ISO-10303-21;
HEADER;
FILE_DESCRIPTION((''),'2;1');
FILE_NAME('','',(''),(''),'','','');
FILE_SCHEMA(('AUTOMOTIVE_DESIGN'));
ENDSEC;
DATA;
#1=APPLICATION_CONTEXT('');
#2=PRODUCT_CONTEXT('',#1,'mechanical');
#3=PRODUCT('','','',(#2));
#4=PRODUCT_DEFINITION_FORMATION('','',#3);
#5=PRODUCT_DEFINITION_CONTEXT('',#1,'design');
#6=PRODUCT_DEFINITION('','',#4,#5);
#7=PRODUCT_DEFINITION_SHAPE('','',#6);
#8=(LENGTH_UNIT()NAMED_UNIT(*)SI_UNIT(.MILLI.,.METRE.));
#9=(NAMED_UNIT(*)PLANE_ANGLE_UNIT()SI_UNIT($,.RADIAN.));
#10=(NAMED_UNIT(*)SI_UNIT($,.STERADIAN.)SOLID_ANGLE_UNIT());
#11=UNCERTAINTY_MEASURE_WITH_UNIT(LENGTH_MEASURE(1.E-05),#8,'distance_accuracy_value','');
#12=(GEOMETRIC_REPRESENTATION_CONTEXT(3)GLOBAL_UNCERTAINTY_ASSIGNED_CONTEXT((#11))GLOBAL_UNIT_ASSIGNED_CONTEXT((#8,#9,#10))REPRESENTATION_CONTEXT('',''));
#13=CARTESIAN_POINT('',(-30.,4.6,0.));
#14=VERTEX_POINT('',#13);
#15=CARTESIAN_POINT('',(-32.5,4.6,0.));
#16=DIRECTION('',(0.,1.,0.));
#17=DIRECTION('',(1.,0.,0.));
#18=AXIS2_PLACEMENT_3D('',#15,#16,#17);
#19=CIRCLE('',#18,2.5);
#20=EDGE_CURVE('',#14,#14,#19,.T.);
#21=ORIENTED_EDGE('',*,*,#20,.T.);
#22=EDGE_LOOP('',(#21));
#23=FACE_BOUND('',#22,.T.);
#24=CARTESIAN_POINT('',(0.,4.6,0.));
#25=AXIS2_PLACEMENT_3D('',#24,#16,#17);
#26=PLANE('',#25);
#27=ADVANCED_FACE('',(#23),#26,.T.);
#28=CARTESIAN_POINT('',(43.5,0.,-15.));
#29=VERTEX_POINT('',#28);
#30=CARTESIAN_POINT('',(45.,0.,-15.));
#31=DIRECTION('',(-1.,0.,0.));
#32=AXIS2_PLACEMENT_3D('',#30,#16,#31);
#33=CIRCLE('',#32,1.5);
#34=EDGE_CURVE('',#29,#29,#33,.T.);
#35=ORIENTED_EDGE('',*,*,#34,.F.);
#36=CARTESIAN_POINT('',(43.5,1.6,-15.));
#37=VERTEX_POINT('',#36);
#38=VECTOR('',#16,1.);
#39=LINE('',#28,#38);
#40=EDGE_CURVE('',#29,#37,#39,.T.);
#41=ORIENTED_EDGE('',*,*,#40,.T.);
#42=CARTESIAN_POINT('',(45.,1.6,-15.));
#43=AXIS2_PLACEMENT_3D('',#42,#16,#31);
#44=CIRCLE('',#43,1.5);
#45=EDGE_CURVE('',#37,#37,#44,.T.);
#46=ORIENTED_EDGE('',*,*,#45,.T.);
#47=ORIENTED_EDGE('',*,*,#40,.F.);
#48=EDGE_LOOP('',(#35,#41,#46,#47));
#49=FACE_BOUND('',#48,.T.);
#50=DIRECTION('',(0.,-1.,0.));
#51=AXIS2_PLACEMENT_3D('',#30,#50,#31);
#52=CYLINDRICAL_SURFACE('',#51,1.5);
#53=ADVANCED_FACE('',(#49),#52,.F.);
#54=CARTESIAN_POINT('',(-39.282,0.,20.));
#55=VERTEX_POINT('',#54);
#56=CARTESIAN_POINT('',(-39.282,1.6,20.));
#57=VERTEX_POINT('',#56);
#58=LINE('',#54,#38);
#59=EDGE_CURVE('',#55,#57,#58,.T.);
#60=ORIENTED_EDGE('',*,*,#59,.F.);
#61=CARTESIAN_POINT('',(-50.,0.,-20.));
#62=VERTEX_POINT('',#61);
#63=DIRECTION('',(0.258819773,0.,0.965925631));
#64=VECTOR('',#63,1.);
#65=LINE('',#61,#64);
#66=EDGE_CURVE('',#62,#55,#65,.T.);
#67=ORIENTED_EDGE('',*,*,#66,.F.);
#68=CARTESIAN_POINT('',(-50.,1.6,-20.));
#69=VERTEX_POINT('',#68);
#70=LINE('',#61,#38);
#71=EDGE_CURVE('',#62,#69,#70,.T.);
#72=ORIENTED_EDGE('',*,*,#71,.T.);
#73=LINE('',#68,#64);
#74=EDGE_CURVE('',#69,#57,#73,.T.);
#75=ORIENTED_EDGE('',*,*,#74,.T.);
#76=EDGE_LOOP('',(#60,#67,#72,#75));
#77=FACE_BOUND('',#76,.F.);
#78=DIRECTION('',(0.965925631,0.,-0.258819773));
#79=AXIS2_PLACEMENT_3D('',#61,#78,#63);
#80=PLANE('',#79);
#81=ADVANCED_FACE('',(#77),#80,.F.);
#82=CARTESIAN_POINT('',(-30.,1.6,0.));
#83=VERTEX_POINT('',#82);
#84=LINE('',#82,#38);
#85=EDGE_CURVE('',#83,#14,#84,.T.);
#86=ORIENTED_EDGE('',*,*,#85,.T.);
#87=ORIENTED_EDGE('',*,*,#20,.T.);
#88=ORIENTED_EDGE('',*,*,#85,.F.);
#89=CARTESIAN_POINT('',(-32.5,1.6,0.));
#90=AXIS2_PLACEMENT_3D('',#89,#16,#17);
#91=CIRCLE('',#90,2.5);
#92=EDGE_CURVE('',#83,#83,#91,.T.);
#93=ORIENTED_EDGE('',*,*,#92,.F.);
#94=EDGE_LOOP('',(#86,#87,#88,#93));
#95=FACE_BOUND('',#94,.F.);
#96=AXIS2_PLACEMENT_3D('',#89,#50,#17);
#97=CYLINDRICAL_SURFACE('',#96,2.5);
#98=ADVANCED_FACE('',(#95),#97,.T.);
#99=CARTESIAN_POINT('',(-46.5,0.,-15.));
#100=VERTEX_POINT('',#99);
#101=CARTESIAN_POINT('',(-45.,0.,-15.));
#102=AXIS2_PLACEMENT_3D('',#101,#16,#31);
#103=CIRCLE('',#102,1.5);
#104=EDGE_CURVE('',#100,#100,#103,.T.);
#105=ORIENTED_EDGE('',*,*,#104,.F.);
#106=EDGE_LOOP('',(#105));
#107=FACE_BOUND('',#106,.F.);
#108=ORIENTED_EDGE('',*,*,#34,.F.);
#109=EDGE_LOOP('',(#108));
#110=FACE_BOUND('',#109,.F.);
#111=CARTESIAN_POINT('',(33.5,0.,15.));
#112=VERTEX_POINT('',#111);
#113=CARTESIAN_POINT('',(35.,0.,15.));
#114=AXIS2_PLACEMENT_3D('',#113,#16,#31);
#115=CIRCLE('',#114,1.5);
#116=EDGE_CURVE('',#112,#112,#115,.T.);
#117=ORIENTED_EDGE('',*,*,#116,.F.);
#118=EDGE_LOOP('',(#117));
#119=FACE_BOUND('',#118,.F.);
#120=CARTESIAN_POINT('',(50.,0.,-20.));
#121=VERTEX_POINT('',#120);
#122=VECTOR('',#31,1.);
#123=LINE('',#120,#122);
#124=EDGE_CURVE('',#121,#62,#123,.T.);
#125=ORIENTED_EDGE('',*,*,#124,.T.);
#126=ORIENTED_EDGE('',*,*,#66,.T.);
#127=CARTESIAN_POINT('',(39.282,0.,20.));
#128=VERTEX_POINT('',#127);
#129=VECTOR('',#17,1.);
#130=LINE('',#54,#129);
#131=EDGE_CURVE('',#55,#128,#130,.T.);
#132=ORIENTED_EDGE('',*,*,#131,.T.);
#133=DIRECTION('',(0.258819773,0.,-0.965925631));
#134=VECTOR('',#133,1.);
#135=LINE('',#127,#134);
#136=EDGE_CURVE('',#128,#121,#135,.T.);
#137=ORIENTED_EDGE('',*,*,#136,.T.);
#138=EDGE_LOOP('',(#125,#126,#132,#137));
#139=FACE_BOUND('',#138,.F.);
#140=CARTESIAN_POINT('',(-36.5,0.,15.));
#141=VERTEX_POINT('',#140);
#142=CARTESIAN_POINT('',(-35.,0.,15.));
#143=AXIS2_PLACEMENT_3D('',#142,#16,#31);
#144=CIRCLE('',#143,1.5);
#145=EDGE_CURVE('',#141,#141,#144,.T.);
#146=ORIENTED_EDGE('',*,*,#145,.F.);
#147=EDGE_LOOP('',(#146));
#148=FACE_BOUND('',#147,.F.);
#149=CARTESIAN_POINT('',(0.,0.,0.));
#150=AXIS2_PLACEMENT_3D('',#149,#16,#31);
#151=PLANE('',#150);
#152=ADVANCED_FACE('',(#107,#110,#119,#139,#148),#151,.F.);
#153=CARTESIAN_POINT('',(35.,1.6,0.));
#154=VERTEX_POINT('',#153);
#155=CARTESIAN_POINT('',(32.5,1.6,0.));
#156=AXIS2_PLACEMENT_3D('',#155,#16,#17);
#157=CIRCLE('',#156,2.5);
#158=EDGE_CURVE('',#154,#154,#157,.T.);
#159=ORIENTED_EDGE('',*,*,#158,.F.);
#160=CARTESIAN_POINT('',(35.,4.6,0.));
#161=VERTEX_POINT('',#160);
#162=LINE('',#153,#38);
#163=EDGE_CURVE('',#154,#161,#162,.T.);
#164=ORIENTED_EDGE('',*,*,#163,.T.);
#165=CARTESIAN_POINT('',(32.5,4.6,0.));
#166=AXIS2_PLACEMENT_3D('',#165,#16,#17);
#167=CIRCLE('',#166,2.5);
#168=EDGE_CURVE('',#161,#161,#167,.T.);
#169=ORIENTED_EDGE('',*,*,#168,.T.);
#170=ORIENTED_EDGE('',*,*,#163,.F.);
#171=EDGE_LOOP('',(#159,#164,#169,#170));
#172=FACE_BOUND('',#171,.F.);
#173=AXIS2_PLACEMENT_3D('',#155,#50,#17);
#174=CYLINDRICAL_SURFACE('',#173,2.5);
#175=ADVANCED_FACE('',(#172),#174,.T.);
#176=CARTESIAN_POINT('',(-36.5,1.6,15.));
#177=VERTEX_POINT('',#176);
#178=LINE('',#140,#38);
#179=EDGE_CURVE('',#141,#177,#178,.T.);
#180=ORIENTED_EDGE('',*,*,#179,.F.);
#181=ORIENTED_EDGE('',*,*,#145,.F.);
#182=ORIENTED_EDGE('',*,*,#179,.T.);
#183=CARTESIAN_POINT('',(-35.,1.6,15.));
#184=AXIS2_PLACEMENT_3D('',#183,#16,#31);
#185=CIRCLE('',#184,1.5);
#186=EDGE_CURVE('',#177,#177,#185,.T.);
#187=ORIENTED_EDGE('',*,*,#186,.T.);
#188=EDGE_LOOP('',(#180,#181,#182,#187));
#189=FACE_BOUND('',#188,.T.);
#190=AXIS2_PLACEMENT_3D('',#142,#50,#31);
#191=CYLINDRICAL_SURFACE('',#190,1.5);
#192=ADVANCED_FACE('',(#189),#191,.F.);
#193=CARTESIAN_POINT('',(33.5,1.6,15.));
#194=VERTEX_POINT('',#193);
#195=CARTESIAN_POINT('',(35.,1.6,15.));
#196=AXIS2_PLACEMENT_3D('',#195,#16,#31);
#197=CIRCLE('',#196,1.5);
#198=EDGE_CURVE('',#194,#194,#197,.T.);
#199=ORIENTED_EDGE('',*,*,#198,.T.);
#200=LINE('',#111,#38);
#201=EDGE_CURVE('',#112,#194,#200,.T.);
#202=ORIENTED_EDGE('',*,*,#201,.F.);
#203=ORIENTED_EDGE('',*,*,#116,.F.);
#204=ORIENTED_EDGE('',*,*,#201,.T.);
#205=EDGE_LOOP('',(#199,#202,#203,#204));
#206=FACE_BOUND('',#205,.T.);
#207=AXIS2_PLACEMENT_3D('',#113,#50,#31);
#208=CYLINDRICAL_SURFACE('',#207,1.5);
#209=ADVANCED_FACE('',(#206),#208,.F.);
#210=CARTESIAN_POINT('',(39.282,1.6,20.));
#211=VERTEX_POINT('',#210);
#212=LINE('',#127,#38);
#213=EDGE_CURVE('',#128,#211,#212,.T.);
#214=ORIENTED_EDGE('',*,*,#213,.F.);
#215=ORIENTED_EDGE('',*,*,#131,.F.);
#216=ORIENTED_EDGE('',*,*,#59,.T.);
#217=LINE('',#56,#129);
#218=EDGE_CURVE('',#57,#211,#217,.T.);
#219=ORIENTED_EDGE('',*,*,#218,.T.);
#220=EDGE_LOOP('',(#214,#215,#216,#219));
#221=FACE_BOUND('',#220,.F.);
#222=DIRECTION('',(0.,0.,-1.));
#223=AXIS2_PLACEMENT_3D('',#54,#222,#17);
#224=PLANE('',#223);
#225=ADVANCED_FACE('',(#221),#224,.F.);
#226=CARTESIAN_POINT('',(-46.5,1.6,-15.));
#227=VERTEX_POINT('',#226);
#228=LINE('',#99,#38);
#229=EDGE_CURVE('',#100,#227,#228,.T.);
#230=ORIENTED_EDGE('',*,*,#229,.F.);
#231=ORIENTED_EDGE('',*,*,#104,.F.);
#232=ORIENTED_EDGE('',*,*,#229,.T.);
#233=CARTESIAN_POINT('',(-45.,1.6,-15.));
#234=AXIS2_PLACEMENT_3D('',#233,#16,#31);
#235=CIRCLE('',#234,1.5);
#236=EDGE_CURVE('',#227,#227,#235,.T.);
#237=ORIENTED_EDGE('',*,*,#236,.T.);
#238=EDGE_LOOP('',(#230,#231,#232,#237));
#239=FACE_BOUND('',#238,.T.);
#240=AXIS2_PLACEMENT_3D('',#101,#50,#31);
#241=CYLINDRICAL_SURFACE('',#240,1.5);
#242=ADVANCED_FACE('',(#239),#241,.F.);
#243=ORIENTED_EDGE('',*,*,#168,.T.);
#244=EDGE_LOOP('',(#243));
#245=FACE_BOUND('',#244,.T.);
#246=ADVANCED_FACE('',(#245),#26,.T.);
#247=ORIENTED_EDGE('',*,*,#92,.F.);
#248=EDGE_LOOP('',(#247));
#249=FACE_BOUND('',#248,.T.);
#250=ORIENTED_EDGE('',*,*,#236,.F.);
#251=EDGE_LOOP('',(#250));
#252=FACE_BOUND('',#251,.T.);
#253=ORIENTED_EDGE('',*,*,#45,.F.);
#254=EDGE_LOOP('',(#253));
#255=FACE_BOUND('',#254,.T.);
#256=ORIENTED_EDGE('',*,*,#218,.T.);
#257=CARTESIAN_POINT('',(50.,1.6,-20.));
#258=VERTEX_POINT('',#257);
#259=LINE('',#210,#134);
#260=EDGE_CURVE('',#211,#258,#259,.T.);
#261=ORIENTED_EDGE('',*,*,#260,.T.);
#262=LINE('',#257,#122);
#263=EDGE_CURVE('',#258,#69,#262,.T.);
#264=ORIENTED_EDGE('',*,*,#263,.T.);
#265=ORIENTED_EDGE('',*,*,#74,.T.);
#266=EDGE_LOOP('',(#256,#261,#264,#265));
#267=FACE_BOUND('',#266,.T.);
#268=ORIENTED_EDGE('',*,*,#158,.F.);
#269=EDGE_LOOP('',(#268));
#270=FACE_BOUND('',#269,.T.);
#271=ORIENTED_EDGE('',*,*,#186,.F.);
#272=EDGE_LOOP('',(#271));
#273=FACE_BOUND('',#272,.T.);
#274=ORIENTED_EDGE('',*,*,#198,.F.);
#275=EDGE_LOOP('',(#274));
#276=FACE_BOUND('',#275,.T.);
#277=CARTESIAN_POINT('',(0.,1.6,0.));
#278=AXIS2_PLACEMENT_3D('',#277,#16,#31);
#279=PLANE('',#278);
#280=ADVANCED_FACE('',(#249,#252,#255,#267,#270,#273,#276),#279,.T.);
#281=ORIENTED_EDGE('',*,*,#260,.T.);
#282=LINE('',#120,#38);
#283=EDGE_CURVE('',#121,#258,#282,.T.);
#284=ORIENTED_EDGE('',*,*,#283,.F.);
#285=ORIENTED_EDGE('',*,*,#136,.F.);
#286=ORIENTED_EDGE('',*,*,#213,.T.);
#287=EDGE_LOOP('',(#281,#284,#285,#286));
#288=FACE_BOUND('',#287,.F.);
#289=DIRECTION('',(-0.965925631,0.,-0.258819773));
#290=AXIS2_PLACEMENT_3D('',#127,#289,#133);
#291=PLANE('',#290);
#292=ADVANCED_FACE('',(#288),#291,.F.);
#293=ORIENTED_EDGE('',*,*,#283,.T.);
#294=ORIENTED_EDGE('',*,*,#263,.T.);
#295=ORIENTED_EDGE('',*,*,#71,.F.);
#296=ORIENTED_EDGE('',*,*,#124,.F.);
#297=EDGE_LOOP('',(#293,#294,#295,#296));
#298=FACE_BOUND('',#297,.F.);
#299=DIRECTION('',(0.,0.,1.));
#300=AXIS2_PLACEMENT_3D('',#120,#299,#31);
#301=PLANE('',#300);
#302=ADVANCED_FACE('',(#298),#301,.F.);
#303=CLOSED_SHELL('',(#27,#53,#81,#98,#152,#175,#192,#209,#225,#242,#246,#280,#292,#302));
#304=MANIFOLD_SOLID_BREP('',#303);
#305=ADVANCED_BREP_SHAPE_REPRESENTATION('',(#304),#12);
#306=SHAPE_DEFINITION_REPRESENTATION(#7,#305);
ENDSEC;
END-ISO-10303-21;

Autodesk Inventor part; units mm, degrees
ref_plane "YZ Plane" through (0, 0, 0) normal (1, 0, 0) x (0, 1, 0)
ref_plane "XZ Plane" through (0, 0, 0) normal (0, 1, 0) x (-1, 0, 0)
ref_plane "XY Plane" through (0, 0, 0) normal (0, 0, 1) x (1, 0, 0)
sketch "Skizze1" plane through (0, 0, 0) normal (0, 1, 0) x (-1, 0, 0)
  line L0 (50, -20) -> (39.282, 20)
  line L1 (39.282, 20) -> (-39.282, 20)
  line L2 (-39.282, 20) -> (-50, -20)
  line L3 (-50, -20) -> (50, -20)
  line L4 (0, 0) -> (0, -20) construction
  line L5 (0, 0) -> (-44.641, 0) construction
  line L6 (0, 0) -> (0, 20) construction
  line L7 (50, -20) -> (50, 20) construction
  line L8 (50, 20) -> (39.282, 20) construction
  line L9 (45.1166, -15.3499) -> (35, 15) construction
  line L10 (35, 15) -> (-35, 15) construction
  line L11 (-35, 15) -> (-45, -15) construction
  line L12 (-45, -15) -> (45, -15) construction
  circle A0 centre (45, -15) radius 1.5
  circle A1 centre (-45, -15) radius 1.5
  circle A2 centre (-35, 15) radius 1.5
  circle A3 centre (35, 15) radius 1.5
  point P0 (0, -15)
  point P1 (0, 15)
  point P2 (-40, 0)
  dimension "d10" = 100
  dimension "d12" = 40
  dimension "d14" = 15
  dimension "d15" = 90
  dimension "d16" = 70
  dimension "d17" = 30
  dimension "d18" = 3
  dimension "d19" = 3
  dimension "d20" = 3
  dimension "d21" = 3
extrude "Extrusion2" add sketch "Skizze1" along normal blind 1.6
sketch "Skizze2" plane through (0, 1.6, 0) normal (0, 1, 0) x (1, 0, 0)
  circle A0 centre (-35, -15) radius 1.5 construction
  circle A1 centre (35, -15) radius 1.5 construction
  circle A2 centre (45, 15) radius 1.5 construction
  circle A3 centre (-45, 15) radius 1.5 construction
  line L0 (-50, 20) -> (-39.282, -20) construction
  line L1 (-39.282, -20) -> (39.282, -20) construction
  line L2 (39.282, -20) -> (50, 20) construction
  line L3 (50, 20) -> (-50, 20) construction
  line L4 (50, 20) -> (-50, 20) construction
  line L5 (39.282, -20) -> (50, 20) construction
  line L6 (-39.282, -20) -> (39.282, -20) construction
  line L7 (-50, 20) -> (-39.282, -20) construction
  line L8 (-32.5, 0) -> (32.5, 0) construction
  circle A4 centre (-32.5, 0) radius 2.5
  circle A5 centre (32.5, 0) radius 2.5
  point P0 (0, 0)
  point P1 (0, 0)
  dimension "d24" = 65
  dimension "d25" = 5
  dimension "d26" = 5
extrude "Extrusion3" add sketch "Skizze2" along normal blind 3
properties part number "Platine_led"
